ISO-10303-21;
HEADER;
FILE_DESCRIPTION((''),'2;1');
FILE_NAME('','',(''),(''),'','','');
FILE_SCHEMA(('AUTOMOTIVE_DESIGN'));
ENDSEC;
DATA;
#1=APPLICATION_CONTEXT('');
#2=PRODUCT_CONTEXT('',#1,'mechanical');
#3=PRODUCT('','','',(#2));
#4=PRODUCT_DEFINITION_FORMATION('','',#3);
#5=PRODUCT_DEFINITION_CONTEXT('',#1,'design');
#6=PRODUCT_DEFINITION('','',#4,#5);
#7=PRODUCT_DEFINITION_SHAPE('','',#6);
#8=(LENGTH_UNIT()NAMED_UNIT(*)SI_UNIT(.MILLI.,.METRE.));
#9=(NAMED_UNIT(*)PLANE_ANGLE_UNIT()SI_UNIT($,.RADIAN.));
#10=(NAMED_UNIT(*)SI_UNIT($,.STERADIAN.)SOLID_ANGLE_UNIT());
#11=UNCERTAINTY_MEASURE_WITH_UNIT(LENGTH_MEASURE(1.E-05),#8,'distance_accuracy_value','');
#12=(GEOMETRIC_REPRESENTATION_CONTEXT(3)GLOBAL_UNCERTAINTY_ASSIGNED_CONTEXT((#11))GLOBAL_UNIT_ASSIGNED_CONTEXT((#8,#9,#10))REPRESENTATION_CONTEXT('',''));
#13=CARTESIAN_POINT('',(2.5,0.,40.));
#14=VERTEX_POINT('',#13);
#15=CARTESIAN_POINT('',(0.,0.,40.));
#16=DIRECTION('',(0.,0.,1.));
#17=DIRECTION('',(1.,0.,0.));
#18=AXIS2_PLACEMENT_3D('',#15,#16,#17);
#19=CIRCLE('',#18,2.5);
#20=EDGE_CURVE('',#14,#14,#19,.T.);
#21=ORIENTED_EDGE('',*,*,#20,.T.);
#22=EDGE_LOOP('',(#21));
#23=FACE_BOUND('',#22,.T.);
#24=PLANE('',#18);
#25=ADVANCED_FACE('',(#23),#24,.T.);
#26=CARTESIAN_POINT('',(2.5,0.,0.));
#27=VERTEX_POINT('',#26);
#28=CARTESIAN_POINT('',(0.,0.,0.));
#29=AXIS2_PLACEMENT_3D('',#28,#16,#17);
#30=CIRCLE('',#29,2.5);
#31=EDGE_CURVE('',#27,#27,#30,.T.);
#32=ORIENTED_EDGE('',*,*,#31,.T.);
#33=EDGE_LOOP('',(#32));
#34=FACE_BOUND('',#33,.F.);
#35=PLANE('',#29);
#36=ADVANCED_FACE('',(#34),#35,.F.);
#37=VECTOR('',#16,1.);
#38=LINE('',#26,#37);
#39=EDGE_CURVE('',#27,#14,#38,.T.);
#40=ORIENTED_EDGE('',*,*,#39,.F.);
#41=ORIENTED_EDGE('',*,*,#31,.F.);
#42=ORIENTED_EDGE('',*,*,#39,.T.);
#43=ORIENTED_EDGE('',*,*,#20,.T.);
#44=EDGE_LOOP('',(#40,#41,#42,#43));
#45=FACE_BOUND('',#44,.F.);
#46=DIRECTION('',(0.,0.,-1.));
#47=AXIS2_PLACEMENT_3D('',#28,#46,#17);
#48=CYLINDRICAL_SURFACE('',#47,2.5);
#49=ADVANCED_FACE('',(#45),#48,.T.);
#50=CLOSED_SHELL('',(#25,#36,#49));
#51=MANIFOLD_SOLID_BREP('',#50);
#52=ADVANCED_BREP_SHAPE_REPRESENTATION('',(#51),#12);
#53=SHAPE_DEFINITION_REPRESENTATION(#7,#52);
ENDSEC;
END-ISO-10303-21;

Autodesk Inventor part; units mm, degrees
ref_plane "YZ Plane" through (0, 0, 0) normal (1, 0, 0) x (0, 1, 0)
ref_plane "XZ Plane" through (0, 0, 0) normal (0, 1, 0) x (-1, 0, 0)
ref_plane "XY Plane" through (0, 0, 0) normal (0, 0, 1) x (1, 0, 0)
sketch "Sketch1" plane through (0, 0, 0) normal (0, 0, 1) x (1, 0, 0)
  circle A0 centre (0, 0) radius 2.5
  dimension "d0" = 5
extrude "Extrusion1" add sketch "Sketch1" along normal blind 40
properties part number "Tija5x40" material "Stainless Steel"
